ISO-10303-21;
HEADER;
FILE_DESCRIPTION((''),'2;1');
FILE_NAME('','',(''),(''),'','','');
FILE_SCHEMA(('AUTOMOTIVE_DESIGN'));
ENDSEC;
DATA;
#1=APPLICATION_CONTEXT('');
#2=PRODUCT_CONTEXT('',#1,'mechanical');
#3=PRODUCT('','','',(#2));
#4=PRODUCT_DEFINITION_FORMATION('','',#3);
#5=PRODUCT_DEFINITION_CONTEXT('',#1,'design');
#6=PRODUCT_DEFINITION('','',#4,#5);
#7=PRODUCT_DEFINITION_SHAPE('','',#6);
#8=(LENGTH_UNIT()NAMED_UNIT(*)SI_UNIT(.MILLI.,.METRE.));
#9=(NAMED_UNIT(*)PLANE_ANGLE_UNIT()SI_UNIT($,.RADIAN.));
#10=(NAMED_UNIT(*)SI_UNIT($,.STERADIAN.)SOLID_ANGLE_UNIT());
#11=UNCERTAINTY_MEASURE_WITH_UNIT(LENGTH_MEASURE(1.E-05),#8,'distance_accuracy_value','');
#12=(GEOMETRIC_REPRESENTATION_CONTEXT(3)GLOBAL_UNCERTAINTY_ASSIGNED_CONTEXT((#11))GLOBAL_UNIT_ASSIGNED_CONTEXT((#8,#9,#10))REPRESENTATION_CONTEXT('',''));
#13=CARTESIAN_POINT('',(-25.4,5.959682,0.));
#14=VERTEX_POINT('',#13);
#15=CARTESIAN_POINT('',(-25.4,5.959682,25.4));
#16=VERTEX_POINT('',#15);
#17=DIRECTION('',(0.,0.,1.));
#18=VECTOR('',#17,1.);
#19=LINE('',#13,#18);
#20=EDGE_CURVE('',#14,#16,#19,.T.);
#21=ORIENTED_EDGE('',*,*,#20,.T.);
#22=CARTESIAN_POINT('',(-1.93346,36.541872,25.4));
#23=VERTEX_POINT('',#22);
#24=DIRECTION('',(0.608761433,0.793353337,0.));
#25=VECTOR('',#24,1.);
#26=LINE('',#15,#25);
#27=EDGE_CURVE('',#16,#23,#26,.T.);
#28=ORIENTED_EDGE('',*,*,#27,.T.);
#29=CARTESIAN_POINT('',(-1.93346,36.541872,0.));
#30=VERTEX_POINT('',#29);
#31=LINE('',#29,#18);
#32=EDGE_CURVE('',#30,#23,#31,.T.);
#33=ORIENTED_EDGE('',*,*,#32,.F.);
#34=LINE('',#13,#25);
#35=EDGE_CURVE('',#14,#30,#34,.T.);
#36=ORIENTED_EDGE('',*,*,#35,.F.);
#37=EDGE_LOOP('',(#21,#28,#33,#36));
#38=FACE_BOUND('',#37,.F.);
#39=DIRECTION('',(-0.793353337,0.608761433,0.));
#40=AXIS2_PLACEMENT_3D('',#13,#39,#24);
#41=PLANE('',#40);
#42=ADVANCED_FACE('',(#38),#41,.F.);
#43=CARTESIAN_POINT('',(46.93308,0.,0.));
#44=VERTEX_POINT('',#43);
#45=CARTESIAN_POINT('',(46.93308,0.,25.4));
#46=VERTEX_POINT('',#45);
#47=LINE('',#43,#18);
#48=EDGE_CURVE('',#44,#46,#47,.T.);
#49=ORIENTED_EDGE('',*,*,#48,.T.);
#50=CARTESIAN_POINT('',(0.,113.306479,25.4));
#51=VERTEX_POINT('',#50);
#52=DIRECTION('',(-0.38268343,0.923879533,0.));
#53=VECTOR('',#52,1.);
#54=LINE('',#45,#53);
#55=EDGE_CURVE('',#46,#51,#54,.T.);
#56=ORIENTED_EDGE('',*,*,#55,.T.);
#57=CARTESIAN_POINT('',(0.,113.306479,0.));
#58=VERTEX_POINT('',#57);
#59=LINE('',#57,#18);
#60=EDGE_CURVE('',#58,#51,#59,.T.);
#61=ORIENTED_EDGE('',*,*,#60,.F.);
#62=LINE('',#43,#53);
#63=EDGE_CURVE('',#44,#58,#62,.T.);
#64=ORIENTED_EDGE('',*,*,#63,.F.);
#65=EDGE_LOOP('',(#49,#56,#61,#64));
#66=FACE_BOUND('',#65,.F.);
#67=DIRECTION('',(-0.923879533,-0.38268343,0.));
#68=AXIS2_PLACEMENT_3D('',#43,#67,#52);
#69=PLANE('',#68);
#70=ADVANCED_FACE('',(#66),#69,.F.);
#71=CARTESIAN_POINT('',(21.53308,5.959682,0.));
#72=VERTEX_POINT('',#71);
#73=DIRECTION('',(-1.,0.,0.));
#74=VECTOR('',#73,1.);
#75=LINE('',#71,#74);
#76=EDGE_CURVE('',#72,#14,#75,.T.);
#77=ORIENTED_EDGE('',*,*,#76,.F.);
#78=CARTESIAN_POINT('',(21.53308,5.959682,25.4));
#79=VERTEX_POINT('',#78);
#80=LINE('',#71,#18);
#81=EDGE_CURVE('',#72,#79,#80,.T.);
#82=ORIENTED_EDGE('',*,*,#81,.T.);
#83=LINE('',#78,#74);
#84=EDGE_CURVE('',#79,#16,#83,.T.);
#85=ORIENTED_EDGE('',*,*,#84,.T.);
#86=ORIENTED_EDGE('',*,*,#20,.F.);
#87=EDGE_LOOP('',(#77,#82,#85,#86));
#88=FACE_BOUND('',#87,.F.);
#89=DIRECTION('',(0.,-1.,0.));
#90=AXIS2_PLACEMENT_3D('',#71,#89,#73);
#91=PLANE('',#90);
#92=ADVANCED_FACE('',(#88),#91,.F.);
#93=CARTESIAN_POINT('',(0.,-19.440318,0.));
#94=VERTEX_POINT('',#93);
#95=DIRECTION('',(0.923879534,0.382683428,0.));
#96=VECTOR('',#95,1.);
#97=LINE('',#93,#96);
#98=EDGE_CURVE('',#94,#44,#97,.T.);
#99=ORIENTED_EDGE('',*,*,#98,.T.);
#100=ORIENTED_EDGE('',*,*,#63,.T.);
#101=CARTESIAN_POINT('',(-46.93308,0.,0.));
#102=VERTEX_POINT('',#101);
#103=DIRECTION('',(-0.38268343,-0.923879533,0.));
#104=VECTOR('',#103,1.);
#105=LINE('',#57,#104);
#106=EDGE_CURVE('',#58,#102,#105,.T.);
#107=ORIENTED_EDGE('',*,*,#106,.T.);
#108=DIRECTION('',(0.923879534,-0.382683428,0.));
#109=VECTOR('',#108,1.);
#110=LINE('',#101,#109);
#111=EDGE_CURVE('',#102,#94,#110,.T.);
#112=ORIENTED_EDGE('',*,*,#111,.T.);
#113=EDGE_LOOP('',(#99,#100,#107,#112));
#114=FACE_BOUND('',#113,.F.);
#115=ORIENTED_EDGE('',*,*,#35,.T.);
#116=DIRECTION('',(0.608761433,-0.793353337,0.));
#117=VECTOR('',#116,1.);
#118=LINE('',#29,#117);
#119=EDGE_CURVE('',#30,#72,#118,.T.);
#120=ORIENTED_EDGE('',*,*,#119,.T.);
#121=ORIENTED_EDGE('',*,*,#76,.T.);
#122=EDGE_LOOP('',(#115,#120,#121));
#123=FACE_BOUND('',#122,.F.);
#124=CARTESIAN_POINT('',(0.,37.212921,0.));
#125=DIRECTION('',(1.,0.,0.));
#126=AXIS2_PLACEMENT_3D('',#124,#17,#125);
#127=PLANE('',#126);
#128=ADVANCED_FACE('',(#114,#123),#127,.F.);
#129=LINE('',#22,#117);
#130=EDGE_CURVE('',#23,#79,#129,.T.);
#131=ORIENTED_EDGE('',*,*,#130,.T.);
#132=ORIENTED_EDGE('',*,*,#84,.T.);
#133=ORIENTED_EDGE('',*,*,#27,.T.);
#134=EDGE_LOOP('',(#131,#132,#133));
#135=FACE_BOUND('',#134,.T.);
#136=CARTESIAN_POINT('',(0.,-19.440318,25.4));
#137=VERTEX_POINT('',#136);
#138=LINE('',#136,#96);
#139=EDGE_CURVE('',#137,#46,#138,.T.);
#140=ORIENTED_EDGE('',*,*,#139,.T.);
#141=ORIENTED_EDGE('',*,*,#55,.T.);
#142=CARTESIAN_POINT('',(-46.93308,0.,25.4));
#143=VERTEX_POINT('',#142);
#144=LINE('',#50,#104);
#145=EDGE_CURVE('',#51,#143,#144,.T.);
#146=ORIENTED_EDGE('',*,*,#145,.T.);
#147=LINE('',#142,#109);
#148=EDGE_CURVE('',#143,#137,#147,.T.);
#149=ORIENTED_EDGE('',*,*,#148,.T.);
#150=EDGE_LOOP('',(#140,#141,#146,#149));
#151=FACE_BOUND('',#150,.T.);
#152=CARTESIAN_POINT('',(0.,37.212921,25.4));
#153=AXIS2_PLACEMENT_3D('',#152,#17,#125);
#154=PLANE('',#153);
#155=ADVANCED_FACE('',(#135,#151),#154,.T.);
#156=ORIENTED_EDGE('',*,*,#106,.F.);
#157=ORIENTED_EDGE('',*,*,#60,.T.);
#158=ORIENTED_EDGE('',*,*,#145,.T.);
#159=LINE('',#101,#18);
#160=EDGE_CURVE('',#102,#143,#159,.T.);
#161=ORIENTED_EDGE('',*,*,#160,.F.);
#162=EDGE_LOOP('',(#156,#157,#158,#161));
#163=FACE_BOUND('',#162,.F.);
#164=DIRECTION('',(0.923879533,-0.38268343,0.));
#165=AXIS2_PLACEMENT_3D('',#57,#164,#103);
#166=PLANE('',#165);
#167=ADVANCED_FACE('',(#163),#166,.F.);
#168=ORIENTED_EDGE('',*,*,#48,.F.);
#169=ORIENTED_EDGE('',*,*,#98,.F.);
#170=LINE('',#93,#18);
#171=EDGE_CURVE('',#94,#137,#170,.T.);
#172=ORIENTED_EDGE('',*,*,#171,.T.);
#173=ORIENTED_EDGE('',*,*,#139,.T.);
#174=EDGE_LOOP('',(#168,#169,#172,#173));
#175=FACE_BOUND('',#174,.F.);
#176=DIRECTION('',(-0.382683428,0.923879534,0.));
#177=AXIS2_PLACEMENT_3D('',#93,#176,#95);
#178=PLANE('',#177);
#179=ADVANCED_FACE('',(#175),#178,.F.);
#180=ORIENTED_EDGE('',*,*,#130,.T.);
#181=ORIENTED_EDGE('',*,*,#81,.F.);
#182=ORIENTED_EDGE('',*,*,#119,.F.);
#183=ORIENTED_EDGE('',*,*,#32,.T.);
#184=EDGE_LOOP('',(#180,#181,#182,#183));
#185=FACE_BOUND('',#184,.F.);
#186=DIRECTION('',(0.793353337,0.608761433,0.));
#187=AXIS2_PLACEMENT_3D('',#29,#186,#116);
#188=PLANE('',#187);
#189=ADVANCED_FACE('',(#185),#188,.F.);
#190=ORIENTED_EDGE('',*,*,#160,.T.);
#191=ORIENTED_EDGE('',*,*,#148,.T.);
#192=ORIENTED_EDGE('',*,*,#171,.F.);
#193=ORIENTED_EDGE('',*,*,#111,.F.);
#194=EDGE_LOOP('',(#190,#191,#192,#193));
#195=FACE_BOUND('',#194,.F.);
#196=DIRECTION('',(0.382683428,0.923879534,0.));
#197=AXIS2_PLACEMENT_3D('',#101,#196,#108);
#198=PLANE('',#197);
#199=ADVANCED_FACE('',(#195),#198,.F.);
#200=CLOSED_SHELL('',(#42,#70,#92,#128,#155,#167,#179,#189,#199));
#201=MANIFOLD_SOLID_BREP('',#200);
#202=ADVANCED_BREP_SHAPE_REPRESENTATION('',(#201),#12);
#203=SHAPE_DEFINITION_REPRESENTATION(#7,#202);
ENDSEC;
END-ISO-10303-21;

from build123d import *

# Parameters (mm, degrees)
F1_DEPTH = 25.4


with BuildPart() as f1:
    # F0 (on Top) → F1 (new body)
    with BuildSketch(Plane.XY):
        Polygon((-46.93308, 0), (0, -19.440318), (46.93308, 0), (0, 113.306479), align=None)
        Polygon((21.53308, 5.959682), (-25.4, 5.959682), (-1.93346, 36.541872), align=None, mode=Mode.SUBTRACT)
    extrude(amount=F1_DEPTH)


solid = f1.part
